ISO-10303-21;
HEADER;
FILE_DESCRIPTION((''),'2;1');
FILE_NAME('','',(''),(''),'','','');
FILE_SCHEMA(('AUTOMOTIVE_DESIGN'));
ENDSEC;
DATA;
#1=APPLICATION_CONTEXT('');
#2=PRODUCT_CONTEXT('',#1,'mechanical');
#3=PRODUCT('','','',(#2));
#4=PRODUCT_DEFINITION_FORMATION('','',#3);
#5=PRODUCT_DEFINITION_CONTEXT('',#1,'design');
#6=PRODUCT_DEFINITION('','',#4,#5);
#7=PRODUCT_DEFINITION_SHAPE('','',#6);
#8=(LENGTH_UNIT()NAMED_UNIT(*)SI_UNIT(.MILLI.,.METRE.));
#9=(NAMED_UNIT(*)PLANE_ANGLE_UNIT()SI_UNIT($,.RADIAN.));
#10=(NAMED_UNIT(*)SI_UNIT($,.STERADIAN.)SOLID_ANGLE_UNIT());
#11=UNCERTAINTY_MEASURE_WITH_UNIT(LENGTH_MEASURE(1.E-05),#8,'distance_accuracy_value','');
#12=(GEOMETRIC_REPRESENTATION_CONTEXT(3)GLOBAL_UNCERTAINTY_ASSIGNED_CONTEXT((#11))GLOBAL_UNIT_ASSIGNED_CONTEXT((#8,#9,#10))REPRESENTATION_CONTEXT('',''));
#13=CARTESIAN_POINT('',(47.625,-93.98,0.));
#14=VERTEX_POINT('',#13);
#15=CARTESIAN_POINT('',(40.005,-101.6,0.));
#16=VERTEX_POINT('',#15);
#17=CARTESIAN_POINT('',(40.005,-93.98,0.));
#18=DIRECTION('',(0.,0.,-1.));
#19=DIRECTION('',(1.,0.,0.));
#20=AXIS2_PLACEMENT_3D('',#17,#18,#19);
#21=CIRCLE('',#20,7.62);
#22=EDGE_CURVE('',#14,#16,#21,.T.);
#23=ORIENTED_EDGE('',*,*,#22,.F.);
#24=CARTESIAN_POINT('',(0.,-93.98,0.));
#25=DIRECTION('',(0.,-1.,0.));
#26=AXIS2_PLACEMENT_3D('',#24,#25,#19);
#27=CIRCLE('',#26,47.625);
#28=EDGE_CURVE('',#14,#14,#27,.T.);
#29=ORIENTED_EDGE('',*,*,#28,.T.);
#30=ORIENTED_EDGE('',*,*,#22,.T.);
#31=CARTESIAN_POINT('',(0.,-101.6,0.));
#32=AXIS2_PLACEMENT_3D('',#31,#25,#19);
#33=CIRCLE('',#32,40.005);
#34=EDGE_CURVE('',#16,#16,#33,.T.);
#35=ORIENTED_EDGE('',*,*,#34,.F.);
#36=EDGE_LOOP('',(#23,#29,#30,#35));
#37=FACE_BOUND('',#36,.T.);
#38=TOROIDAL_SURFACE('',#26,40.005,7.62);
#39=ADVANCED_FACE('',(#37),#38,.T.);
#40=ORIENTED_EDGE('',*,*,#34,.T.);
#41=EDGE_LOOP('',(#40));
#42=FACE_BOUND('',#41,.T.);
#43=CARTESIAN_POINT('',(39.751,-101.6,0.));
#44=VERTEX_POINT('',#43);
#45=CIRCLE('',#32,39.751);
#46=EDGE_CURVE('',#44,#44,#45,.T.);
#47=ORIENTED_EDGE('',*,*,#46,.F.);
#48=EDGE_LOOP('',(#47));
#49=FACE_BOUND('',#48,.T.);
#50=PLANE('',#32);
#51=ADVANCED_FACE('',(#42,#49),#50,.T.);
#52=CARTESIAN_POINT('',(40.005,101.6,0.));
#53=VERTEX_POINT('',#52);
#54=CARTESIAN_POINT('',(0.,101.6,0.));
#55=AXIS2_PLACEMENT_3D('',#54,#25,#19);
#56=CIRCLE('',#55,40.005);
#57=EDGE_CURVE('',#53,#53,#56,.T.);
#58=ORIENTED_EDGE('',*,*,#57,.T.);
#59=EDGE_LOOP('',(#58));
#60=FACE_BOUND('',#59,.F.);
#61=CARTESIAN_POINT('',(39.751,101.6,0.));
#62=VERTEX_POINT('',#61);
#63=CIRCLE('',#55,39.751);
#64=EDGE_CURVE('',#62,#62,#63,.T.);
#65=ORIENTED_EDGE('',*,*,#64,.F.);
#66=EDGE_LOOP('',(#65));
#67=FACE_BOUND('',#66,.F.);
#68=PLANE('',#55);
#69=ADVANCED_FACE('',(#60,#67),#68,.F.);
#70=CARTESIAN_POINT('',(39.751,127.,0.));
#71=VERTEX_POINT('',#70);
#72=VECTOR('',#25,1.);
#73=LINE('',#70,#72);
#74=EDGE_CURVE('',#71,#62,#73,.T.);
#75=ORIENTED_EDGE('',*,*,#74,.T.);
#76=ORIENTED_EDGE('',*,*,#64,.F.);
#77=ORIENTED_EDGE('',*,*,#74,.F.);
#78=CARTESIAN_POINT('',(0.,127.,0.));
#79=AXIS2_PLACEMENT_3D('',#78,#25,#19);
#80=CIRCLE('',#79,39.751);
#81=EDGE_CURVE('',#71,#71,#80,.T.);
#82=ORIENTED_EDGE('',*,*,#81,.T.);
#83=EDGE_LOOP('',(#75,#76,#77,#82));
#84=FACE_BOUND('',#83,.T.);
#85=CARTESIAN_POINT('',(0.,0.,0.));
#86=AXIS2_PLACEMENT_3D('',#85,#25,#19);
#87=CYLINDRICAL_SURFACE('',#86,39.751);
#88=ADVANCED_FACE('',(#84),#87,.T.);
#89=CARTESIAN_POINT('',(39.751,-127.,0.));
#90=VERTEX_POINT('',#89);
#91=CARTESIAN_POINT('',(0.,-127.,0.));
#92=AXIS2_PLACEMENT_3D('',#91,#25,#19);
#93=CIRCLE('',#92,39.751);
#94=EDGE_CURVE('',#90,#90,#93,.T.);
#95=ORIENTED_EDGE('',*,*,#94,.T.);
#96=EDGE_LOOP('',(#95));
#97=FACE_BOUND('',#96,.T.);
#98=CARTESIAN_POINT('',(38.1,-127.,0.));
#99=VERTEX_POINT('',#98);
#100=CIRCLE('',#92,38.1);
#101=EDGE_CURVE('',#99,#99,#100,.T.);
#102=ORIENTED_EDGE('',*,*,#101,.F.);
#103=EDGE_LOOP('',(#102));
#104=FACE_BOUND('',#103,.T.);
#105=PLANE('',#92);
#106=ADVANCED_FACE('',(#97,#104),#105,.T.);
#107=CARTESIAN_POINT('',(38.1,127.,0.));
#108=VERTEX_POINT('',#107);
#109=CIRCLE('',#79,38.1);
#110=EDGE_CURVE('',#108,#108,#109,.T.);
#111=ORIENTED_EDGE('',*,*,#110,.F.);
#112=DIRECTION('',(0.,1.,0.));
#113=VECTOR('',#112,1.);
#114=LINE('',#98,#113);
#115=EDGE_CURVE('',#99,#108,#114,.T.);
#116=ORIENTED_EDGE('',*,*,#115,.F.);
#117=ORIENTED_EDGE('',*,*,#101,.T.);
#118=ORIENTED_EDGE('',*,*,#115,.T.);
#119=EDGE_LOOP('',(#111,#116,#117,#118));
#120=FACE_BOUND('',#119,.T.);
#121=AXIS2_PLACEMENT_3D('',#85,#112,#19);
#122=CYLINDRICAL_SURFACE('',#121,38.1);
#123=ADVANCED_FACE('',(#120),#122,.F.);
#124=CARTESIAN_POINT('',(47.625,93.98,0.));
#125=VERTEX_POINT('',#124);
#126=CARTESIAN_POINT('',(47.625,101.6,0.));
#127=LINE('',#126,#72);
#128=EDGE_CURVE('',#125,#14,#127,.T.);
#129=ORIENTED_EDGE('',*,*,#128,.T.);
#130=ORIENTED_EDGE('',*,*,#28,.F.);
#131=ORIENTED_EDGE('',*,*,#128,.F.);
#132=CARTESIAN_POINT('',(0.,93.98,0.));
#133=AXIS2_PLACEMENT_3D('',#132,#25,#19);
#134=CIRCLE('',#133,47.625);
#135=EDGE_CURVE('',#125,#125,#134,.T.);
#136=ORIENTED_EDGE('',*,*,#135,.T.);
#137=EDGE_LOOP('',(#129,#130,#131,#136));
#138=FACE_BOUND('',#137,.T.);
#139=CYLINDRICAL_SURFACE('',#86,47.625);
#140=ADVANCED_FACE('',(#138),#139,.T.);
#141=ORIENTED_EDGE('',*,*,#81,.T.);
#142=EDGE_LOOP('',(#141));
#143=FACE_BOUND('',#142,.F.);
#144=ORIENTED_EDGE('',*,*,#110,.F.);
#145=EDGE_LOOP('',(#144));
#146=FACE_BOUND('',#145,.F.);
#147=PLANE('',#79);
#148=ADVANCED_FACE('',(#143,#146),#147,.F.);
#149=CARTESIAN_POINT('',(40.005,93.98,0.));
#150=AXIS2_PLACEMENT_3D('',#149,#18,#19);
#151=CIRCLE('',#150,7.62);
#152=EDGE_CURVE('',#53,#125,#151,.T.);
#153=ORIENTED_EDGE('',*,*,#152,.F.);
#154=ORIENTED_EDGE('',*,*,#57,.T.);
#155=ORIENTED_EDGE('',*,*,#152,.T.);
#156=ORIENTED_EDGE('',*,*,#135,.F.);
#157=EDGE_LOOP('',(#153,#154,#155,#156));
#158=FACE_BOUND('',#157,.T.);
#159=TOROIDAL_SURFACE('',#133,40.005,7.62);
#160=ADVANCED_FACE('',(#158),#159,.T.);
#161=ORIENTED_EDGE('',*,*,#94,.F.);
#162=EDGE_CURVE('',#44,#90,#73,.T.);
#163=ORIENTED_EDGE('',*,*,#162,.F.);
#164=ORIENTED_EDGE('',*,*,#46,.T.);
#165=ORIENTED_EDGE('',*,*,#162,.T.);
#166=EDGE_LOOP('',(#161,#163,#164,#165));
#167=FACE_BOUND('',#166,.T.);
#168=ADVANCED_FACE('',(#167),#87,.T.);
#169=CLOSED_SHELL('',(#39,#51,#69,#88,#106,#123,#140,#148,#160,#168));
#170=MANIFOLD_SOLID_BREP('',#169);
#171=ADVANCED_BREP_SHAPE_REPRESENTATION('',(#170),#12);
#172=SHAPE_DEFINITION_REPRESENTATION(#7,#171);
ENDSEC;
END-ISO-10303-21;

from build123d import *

# Parameters (mm, degrees)
F0_R     = 39.751
F0_R_2   = 38.1
F1_DEPTH = 127
F2_R     = 47.625
F2_R_2   = 39.751
F3_DEPTH = 101.6
F4_R     = 7.62


with BuildPart() as f1:
    # F0 (on Front) → F1 (new body, symmetric)
    with BuildSketch(Plane.XZ):
        Circle(F0_R)
        Circle(F0_R_2, mode=Mode.SUBTRACT)
    extrude(amount=F1_DEPTH, both=True)

    # F2 (on Front) → F3 (join, symmetric)
    with BuildSketch(Plane.XZ):
        Circle(F2_R)
        Circle(F2_R_2, mode=Mode.SUBTRACT)
    extrude(amount=F3_DEPTH, both=True)

    # F4
    f4_edges = [f1.edges().sort_by_distance(p)[0] for p in [
        (-47.625, -101.6, 0),
        (-47.625, 101.6, 0),
    ]]
    fillet(f4_edges, radius=F4_R)


solid = f1.part
